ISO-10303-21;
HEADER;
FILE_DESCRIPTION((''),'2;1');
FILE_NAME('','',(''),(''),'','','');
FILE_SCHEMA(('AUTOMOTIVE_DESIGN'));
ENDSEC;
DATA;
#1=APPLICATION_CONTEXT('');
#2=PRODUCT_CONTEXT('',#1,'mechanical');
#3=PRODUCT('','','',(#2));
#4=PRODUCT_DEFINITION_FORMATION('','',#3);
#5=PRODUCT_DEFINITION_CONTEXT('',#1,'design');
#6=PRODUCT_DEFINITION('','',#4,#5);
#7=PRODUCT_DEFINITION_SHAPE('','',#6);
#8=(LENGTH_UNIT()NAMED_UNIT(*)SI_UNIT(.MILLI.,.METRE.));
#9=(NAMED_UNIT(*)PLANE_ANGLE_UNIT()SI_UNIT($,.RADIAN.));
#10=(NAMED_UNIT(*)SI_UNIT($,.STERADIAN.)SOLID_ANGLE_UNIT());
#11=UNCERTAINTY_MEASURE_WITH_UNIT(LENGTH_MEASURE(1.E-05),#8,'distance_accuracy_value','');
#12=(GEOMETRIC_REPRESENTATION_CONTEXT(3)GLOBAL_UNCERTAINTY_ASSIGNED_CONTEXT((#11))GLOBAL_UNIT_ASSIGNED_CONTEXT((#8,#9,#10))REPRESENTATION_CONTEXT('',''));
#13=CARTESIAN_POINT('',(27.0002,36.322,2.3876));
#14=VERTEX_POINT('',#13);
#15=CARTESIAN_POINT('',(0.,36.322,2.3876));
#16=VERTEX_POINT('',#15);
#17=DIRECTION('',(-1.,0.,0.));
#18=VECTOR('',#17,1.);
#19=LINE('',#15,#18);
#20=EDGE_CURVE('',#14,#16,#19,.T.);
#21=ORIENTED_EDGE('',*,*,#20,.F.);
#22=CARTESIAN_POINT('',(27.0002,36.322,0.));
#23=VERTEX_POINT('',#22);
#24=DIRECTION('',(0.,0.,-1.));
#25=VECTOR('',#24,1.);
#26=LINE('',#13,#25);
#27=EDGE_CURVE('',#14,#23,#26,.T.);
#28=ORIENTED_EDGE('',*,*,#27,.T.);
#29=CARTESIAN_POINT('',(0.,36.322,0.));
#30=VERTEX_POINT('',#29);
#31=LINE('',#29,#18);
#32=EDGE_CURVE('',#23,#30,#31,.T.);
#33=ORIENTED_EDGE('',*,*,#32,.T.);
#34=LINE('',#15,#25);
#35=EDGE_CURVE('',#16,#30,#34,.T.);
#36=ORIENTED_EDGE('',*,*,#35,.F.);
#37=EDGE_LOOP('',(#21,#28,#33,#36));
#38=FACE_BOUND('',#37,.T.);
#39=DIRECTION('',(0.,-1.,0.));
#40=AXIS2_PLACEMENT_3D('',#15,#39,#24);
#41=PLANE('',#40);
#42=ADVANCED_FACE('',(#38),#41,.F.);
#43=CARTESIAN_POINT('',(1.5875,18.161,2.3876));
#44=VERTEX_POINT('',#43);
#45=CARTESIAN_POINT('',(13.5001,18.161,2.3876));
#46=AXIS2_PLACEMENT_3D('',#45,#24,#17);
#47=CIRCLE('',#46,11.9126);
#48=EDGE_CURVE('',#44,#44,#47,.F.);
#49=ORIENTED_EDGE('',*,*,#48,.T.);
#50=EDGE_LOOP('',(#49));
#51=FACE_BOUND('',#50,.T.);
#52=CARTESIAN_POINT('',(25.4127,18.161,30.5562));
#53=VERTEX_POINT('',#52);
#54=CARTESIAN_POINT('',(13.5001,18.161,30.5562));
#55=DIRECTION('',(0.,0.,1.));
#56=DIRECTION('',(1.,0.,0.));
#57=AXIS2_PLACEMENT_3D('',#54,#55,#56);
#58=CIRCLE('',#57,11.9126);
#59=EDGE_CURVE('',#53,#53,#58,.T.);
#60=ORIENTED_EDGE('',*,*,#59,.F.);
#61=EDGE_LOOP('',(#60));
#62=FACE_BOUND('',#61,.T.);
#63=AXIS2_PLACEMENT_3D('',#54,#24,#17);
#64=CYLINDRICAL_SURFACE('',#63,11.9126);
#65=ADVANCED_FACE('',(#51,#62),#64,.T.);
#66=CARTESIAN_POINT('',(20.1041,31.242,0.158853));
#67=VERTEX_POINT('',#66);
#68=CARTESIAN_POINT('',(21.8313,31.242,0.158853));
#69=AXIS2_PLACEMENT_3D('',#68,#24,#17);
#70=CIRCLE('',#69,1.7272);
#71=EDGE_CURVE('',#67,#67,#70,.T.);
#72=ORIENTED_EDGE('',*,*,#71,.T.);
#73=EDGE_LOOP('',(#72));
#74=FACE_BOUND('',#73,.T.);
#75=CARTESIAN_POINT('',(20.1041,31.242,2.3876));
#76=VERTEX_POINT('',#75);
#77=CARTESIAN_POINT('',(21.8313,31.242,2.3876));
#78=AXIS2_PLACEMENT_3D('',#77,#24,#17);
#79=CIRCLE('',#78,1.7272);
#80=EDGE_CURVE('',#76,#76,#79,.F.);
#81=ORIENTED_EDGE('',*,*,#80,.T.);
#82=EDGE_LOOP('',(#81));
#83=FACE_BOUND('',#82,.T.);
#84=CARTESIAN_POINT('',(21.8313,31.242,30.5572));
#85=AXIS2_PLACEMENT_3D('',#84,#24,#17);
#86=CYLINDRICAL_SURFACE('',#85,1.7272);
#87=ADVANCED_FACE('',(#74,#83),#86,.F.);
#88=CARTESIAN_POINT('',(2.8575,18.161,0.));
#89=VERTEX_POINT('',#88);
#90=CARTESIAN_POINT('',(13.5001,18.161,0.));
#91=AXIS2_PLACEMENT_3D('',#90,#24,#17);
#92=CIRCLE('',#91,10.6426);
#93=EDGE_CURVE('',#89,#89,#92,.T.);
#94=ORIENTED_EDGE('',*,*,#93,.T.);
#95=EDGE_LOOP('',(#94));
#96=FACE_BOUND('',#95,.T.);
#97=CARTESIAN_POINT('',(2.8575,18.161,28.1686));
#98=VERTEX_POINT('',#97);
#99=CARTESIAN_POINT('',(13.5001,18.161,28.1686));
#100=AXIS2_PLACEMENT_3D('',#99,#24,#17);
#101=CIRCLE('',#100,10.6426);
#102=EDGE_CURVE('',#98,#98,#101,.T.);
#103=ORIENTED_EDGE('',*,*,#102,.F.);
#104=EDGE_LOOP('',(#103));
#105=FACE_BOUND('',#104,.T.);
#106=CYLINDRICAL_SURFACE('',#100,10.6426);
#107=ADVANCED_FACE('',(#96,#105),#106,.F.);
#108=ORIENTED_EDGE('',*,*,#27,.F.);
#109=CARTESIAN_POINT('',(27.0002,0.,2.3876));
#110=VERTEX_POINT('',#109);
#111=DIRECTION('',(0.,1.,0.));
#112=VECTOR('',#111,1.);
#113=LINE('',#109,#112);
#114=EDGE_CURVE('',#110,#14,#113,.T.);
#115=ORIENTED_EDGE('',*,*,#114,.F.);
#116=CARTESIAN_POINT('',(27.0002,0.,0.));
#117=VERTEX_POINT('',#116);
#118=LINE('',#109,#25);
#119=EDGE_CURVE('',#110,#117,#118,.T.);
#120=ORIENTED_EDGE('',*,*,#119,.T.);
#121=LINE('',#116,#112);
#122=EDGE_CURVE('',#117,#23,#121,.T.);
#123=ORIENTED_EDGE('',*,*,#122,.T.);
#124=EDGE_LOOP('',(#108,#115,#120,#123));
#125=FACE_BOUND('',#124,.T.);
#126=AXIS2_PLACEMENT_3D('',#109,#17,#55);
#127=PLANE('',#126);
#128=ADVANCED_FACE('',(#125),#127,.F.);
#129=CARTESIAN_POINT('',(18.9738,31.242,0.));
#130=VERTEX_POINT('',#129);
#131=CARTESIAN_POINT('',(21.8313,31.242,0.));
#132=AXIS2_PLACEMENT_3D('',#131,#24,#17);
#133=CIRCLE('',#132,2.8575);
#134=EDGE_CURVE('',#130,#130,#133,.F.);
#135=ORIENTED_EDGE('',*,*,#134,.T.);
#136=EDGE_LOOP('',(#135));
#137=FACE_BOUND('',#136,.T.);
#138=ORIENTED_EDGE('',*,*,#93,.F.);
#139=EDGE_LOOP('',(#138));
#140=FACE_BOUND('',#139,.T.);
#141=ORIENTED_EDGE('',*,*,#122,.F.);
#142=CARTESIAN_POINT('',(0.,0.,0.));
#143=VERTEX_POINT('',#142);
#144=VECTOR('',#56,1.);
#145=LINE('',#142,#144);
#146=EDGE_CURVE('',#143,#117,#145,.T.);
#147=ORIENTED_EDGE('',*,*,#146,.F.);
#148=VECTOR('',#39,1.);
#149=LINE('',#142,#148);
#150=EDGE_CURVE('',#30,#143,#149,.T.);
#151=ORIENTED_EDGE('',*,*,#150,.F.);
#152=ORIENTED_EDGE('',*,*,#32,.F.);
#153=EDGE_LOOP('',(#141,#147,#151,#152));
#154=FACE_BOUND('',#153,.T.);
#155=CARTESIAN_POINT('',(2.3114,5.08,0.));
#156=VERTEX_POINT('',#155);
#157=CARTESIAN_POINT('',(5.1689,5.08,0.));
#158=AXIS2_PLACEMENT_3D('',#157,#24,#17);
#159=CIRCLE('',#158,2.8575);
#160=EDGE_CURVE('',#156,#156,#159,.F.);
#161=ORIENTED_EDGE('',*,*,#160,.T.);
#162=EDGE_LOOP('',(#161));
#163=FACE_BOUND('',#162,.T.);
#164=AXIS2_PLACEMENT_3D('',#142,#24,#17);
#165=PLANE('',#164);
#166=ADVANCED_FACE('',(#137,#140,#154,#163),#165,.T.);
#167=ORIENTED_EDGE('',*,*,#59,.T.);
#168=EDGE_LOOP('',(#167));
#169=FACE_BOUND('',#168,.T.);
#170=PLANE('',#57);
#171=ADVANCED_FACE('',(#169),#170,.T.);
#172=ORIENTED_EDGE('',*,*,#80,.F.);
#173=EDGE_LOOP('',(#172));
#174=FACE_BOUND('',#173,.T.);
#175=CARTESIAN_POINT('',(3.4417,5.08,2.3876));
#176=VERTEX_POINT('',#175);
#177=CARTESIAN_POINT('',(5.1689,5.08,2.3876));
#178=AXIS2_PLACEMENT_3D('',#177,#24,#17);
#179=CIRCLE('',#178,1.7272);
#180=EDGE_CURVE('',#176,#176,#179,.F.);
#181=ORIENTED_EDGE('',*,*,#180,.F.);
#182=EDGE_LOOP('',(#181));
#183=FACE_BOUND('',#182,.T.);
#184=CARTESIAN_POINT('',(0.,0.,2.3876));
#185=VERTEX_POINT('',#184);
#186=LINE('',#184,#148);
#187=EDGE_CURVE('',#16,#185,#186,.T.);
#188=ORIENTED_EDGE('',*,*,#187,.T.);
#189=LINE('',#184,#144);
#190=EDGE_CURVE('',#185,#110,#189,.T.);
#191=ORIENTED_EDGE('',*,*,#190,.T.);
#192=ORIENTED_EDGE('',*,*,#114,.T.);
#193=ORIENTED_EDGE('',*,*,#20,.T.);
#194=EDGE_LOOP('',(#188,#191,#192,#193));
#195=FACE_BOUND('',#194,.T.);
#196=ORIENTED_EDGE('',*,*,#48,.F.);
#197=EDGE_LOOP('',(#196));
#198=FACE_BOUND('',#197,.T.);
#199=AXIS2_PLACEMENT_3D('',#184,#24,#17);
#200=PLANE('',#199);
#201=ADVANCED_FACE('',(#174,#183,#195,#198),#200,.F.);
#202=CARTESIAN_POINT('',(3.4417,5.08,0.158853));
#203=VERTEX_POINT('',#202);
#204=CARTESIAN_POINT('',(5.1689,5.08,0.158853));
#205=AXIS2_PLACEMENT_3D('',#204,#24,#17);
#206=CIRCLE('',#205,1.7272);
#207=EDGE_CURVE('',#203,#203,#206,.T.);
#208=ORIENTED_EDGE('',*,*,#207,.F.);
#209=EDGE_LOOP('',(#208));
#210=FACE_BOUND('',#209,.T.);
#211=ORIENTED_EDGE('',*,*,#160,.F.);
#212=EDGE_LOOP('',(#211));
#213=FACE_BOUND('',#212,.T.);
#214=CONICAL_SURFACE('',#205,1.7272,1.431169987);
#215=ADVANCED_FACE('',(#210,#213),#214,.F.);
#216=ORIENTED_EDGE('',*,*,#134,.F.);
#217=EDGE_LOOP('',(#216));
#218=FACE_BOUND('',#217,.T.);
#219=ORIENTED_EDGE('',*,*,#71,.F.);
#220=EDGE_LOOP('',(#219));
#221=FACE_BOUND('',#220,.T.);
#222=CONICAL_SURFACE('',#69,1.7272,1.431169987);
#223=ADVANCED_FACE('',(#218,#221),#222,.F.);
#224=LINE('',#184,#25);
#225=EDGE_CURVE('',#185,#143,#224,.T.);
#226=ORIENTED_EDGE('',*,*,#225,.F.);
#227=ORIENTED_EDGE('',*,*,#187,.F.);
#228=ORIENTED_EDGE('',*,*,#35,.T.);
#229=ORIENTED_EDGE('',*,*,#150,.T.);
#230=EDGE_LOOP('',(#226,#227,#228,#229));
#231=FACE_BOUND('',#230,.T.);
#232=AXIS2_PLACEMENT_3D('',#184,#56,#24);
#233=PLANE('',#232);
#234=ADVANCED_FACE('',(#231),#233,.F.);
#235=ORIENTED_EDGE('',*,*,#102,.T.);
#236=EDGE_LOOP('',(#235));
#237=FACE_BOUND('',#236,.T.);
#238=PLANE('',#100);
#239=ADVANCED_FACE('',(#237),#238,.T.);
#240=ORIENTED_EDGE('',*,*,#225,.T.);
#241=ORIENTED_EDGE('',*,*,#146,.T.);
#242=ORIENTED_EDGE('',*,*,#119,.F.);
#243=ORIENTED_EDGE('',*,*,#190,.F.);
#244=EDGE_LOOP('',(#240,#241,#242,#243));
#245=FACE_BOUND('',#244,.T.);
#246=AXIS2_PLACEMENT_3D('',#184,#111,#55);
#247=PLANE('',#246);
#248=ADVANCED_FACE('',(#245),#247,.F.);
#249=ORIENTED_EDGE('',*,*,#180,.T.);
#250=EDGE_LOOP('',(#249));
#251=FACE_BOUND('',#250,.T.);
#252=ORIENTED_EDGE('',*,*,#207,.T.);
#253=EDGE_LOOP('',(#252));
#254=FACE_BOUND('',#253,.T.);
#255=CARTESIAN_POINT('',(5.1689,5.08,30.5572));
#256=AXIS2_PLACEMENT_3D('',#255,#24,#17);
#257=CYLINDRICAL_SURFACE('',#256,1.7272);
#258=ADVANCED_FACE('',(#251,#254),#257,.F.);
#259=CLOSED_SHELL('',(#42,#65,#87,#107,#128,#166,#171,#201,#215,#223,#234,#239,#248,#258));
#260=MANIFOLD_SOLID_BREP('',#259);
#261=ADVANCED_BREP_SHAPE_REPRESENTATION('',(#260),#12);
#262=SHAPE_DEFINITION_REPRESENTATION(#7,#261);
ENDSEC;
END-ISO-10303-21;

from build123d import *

# Parameters (mm, degrees)
SKETCH1_W           = 27.0002
SKETCH1_H           = 36.322
BOSS_EXTRUDE1_DEPTH = 2.3876
SKETCH2_R           = 11.9126
BOSS_EXTRUDE2_DEPTH = 28.1686
SKETCH3_R           = 10.6426
CUT_EXTRUDE1_DEPTH  = 28.1686
CUT_EXTRUDE2_REACH  = 56.608
SKETCH4_R           = 1.7272
CHAMFER1_SIZE       = 1.1303
CHAMFER1_SIZE2      = 0.158853305


with BuildPart() as part:
    # Sketch1 → Boss-Extrude1 (new body)
    with BuildSketch(Plane.XY):
        with Locations((13.5001, 18.161)):
            Rectangle(SKETCH1_W, SKETCH1_H)
    extrude(amount=BOSS_EXTRUDE1_DEPTH)

    # Sketch2 → Boss-Extrude2 (add)
    with BuildSketch(Plane.XY.offset(2.3876)):
        with Locations(Location((13.5001, 18.161, 0), (0, 0, 180))):
            Circle(SKETCH2_R)
    extrude(amount=BOSS_EXTRUDE2_DEPTH)

    # Sketch3 → Cut-Extrude1 (cut)
    with BuildSketch(Plane(origin=(0, 0, 0), x_dir=(-1, 0, 0), z_dir=(0, 0, -1))):
        with Locations((-13.5001, 18.161)):
            Circle(SKETCH3_R)
    extrude(amount=-CUT_EXTRUDE1_DEPTH, mode=Mode.SUBTRACT)

    # Sketch4 → Cut-Extrude2 (cut, up to next)
    with BuildSketch(Plane(origin=(0, 0, 0), x_dir=(-1, 0, 0), z_dir=(0, 0, -1)), mode=Mode.PRIVATE) as cut_extrude2_sk1:
        with Locations((-21.8313, 31.242)):
            Circle(SKETCH4_R)
    cut_extrude2_tool1 = extrude(cut_extrude2_sk1.sketch, amount=-CUT_EXTRUDE2_REACH, mode=Mode.PRIVATE) & part.part
    # Sketch4 → Cut-Extrude2 (cut, up to next)
    with BuildSketch(Plane(origin=(0, 0, 0), x_dir=(-1, 0, 0), z_dir=(0, 0, -1)), mode=Mode.PRIVATE) as cut_extrude2_sk2:
        with Locations((-5.1689, 5.08)):
            Circle(SKETCH4_R)
    cut_extrude2_tool2 = extrude(cut_extrude2_sk2.sketch, amount=-CUT_EXTRUDE2_REACH, mode=Mode.PRIVATE) & part.part
    add(cut_extrude2_tool1.solids().sort_by_distance((21.8313, 31.242, 0))[0], mode=Mode.SUBTRACT)
    add(cut_extrude2_tool2.solids().sort_by_distance((5.1689, 5.08, 0))[0], mode=Mode.SUBTRACT)

    # Chamfer1
    chamfer1_edges = [part.edges().sort_by_distance(p)[0] for p in [
        (23.5585, 31.242, 0),
        (6.8961, 5.08, 0),
    ]]
    chamfer1_side = [part.faces().sort_by_distance(p)[0] for p in [
        (13.5001, 0.452581317, 0),
    ]]
    chamfer(chamfer1_edges, length=CHAMFER1_SIZE, length2=CHAMFER1_SIZE2, reference=chamfer1_side[0])


solid = part.part
